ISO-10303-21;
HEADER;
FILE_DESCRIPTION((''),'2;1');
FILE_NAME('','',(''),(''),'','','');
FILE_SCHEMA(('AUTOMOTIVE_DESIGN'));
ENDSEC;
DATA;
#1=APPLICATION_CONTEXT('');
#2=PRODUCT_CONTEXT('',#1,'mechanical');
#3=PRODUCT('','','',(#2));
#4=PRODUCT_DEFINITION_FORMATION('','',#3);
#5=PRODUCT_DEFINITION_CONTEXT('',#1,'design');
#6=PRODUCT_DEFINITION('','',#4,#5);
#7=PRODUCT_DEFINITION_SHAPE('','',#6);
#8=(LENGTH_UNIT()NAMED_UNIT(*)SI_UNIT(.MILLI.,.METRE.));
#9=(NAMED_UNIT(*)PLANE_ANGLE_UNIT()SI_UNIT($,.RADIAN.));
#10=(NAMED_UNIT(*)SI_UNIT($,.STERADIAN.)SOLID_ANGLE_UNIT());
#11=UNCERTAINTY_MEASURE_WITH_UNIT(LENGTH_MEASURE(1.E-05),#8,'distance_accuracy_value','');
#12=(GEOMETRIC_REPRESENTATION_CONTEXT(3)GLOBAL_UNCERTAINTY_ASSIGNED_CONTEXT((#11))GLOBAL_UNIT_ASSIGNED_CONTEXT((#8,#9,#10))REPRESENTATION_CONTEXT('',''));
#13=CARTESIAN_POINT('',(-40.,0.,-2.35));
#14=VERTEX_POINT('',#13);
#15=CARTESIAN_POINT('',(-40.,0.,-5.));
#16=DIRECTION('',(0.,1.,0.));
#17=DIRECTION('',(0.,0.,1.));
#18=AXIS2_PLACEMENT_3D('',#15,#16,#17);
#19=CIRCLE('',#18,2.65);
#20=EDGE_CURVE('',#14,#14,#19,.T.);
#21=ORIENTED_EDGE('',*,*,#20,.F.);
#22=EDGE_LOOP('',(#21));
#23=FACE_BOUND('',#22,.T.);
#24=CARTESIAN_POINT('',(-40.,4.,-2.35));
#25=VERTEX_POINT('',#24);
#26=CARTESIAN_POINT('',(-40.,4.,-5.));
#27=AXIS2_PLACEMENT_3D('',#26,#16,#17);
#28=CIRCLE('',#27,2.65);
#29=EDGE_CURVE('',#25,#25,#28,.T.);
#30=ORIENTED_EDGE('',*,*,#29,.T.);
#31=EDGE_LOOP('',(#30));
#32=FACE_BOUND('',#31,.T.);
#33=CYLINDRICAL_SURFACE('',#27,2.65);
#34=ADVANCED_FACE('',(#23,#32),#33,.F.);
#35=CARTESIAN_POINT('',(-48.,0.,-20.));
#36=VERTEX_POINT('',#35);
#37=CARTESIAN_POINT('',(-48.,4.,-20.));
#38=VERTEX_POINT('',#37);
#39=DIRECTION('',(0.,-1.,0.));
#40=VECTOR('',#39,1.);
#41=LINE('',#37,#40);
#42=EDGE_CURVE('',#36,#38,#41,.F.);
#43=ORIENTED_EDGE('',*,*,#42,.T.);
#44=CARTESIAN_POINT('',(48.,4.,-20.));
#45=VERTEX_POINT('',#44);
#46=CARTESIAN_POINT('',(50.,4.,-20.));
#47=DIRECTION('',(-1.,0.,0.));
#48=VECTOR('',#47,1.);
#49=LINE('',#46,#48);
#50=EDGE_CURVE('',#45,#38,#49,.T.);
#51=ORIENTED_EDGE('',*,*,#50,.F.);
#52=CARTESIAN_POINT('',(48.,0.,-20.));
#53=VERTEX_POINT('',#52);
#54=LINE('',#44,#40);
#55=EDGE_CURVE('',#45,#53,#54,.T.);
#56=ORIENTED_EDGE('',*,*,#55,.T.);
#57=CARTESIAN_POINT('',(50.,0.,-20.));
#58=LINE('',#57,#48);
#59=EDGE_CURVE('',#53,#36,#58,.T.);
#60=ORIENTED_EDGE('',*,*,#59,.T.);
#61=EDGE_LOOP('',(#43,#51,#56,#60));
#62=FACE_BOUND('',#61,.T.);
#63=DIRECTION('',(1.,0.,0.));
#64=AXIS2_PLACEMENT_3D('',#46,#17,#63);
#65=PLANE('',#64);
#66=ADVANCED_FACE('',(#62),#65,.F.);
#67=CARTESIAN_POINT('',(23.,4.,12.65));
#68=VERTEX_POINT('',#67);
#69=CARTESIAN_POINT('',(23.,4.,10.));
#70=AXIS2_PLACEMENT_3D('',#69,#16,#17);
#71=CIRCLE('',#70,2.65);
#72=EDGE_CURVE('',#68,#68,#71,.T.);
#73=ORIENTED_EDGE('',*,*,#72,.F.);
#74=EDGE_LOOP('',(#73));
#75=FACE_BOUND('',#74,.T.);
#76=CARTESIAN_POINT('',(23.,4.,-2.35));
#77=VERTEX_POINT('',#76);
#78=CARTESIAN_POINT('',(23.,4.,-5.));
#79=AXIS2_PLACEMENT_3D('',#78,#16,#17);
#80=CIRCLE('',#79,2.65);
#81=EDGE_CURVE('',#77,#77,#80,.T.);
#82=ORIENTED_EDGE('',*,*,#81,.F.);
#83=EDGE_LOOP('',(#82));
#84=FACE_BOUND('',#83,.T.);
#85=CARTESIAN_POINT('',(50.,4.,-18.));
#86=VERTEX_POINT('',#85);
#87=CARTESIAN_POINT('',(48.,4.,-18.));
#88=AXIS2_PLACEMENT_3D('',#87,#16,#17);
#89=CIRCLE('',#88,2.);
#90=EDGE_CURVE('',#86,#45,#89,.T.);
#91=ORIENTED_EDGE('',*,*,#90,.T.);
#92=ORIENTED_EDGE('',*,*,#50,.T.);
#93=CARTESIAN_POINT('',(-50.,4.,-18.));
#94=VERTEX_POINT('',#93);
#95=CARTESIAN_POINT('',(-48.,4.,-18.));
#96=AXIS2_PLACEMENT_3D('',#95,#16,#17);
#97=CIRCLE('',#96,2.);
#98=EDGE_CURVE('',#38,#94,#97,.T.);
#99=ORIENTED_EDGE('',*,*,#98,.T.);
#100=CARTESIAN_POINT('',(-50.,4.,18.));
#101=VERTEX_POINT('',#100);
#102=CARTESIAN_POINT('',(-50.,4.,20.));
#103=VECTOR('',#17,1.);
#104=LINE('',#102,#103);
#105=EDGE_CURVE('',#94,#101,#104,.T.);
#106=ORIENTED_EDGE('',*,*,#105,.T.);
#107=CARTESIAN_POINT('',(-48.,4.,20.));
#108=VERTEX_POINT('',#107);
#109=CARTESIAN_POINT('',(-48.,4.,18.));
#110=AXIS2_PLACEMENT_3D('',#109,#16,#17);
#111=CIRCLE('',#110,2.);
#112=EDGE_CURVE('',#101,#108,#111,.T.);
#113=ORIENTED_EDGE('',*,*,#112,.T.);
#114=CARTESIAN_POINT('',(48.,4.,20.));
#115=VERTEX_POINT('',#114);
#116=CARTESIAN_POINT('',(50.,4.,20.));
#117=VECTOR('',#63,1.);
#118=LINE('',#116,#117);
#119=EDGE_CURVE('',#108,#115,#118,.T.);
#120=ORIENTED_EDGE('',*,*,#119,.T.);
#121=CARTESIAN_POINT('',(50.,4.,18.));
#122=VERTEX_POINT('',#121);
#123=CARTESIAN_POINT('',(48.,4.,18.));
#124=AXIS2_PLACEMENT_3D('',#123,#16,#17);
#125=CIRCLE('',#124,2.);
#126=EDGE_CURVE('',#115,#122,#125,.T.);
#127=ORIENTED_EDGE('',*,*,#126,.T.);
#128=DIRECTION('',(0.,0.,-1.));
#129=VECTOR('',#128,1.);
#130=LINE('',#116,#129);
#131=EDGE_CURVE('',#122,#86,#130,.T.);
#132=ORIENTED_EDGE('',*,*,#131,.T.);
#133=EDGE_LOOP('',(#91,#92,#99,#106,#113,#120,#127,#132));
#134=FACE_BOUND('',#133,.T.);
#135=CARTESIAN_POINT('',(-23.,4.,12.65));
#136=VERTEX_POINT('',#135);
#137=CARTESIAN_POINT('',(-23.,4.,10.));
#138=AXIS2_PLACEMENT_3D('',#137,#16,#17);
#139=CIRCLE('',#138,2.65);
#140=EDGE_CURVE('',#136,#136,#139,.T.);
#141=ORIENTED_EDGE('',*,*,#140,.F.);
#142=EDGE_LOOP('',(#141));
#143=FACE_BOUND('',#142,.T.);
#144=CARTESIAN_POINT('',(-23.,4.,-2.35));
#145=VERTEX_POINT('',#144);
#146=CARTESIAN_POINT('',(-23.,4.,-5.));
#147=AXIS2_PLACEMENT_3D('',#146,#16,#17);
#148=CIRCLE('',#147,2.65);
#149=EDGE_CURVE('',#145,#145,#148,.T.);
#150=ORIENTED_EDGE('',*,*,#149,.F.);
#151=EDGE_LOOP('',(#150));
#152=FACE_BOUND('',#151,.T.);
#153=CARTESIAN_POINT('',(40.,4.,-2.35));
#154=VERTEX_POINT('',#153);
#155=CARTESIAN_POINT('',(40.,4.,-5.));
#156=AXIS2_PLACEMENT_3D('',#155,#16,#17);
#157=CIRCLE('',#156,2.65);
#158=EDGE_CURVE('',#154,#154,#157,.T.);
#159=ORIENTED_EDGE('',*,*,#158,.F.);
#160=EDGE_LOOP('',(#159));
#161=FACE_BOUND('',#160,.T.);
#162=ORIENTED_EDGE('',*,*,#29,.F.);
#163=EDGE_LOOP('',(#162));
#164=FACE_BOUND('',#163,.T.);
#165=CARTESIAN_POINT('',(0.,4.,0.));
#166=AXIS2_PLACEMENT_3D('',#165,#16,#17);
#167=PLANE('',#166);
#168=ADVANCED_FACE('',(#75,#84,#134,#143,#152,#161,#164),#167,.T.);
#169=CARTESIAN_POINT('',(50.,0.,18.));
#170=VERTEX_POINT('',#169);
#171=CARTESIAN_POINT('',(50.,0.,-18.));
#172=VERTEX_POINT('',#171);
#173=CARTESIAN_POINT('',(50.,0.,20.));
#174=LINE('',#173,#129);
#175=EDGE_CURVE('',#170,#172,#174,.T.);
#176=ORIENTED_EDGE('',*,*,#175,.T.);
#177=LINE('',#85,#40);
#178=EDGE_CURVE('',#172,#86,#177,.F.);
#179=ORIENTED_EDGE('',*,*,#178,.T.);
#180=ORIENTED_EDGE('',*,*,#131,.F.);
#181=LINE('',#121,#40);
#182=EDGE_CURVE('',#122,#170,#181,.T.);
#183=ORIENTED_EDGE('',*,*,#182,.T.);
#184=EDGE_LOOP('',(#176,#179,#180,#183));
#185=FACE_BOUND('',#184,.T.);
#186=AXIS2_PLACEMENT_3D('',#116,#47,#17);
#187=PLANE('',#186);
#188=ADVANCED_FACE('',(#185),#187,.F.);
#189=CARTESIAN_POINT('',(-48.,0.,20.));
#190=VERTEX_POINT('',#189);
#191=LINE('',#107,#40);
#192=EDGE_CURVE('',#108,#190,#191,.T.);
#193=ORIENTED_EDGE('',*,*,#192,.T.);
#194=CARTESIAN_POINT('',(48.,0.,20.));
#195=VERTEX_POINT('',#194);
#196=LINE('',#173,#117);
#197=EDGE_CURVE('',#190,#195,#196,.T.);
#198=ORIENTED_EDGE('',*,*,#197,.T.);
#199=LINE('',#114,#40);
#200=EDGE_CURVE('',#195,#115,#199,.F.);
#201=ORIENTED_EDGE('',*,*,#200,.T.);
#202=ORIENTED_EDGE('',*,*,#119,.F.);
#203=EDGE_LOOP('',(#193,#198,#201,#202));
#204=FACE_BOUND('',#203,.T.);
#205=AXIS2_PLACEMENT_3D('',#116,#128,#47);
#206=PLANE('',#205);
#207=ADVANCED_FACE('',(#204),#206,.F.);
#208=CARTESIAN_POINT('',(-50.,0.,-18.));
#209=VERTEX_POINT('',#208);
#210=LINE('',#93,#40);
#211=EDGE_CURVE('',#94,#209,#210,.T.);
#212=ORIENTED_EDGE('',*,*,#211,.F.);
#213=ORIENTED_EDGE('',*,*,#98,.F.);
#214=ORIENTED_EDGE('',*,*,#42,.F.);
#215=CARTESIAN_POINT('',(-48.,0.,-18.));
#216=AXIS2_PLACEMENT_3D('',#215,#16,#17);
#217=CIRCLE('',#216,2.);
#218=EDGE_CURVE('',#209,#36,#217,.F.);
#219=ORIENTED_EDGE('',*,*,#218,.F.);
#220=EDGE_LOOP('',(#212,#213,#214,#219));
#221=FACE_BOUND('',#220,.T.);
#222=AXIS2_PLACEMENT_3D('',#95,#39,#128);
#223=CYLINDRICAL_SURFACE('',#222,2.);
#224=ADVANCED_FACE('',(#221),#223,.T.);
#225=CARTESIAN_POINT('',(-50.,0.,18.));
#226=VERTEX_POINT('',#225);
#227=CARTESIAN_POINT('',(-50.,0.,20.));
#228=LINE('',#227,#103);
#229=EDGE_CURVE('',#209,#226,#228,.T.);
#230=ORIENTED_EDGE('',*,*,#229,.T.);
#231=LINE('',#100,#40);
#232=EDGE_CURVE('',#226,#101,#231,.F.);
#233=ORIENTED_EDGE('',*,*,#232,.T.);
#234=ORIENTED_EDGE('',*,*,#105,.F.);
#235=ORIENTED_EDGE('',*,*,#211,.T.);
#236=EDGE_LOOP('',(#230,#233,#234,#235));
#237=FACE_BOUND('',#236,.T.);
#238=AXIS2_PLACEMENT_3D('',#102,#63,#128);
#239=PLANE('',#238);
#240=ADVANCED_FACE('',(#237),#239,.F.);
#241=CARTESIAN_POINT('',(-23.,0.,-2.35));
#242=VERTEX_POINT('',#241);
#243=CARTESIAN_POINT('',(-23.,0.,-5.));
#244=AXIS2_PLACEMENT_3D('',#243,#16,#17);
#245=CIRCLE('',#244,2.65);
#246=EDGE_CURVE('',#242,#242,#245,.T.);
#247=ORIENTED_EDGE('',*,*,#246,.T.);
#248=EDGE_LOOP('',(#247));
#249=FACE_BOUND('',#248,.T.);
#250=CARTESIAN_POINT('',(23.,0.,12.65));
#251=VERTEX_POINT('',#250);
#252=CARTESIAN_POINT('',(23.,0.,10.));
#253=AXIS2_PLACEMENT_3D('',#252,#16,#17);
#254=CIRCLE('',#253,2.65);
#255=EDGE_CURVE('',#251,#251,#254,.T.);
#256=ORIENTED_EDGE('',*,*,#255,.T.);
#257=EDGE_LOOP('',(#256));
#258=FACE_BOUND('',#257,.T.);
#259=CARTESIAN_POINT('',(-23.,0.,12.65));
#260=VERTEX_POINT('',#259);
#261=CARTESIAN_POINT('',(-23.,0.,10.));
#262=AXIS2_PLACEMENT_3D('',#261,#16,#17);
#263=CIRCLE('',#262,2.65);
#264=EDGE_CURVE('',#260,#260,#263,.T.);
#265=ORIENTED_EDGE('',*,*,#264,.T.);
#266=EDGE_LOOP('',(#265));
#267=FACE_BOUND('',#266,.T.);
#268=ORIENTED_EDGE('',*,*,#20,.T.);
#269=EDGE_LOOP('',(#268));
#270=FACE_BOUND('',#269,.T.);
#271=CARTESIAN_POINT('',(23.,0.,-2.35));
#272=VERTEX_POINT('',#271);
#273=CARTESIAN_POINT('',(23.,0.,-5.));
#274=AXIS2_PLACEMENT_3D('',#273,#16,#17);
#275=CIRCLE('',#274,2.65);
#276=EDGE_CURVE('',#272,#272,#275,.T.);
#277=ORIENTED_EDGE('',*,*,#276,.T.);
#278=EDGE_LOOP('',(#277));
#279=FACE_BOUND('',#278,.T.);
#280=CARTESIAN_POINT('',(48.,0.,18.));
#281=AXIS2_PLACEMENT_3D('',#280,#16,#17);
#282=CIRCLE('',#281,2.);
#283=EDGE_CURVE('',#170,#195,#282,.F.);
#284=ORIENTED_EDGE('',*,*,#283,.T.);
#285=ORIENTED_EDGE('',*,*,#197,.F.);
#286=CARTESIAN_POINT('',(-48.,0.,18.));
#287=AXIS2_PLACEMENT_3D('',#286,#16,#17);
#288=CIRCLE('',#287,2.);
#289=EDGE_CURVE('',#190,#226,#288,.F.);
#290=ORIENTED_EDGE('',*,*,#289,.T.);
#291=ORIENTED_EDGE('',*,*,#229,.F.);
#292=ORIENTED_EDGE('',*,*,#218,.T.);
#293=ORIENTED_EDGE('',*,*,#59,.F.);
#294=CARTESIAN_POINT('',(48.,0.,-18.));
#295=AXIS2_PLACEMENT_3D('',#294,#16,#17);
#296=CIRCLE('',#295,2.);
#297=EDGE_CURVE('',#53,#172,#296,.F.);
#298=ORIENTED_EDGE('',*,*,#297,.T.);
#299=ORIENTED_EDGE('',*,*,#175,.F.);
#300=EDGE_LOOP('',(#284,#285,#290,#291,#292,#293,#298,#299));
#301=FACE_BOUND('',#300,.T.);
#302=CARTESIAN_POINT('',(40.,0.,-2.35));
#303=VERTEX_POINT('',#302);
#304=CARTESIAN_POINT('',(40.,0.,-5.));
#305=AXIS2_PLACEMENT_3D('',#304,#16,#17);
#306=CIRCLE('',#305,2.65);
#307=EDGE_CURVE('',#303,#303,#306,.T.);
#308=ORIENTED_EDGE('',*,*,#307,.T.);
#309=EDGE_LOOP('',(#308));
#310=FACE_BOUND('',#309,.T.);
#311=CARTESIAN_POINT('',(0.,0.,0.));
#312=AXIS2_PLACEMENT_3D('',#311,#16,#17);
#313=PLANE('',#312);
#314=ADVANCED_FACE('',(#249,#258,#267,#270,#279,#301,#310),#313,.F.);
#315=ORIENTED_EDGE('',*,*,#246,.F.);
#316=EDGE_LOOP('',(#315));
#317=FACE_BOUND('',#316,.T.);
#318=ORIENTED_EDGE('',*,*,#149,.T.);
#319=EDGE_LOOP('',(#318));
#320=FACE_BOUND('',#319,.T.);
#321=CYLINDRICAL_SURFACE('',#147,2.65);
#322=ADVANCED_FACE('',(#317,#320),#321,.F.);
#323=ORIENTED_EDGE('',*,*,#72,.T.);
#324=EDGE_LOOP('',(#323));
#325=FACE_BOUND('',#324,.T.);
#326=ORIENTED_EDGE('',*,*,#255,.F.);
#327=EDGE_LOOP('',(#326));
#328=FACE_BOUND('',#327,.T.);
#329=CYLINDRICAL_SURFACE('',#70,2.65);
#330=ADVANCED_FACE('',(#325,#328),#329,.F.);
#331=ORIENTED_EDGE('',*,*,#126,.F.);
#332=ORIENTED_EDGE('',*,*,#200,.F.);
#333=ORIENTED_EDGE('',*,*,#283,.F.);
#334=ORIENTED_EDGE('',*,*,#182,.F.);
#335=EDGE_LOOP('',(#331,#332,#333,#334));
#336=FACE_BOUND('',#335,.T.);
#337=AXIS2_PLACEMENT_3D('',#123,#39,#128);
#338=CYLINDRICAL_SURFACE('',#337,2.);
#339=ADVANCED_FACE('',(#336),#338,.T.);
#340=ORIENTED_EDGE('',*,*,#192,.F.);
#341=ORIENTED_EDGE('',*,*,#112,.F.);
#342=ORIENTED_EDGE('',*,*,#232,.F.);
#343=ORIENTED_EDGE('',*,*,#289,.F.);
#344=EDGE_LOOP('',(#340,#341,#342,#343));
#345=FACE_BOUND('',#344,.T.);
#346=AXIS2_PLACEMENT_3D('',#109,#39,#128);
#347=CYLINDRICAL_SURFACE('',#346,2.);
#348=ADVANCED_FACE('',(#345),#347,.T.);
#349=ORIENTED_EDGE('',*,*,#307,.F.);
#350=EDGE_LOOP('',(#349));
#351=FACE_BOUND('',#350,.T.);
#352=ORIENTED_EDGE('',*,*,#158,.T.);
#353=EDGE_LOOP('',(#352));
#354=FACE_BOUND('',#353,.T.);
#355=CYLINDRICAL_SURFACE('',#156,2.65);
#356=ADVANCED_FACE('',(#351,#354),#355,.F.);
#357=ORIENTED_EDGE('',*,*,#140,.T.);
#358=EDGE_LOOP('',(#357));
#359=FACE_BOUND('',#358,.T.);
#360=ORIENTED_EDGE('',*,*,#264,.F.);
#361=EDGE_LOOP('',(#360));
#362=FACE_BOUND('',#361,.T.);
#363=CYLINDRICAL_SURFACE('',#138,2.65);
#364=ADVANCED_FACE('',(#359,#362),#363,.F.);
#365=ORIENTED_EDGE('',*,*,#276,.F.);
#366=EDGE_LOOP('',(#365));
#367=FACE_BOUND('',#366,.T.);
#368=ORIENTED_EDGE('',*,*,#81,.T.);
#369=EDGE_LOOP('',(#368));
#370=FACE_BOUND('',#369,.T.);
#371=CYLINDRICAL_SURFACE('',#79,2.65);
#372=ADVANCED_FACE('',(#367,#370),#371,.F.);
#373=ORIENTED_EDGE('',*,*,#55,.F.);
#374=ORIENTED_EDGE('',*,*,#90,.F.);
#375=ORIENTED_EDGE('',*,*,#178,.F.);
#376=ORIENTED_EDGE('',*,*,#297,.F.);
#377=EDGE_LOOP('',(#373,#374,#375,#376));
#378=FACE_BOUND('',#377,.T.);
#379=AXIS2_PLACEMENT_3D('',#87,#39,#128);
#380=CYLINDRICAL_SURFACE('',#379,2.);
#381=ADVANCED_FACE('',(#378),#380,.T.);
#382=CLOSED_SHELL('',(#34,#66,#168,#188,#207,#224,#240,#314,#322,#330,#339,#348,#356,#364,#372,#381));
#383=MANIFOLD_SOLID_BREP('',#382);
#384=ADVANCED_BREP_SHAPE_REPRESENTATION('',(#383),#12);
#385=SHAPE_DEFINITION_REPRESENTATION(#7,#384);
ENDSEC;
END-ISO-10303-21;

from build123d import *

# Parameters (mm, degrees)
SKETCH1_W                = 100
SKETCH1_H                = 40
BOSS_EXTRUDE1_DEPTH      = 4
FILLET1_R                = 2
M5_CLEARANCE_HOLE1_D     = 5.3
M5_CLEARANCE_HOLE1_DEPTH = 8
M5_CLEARANCE_HOLE1_TIP   = 1.59228064


with BuildPart() as part:
    # Sketch1 → Boss-Extrude1 (new body)
    with BuildSketch(Plane(origin=(0, 0, 0), x_dir=(1, 0, 0), z_dir=(0, 1, 0))):
        Rectangle(SKETCH1_W, SKETCH1_H)
    extrude(amount=BOSS_EXTRUDE1_DEPTH)

    # Fillet1
    fillet1_edges = [part.edges().sort_by_distance(p)[0] for p in [
        (-50, 2, -20),
        (50, 2, -20),
        (50, 2, 20),
        (-50, 2, 20),
    ]]
    fillet(fillet1_edges, radius=FILLET1_R)

    # M5 Clearance Hole1
    with Locations(Plane(origin=(0, 4, 0), x_dir=(1, 0, 0), z_dir=(0, 1, 0))):
        with Locations((-40, 5), (-23, 5), (-23, -10), (23, -10), (23, 5), (40, 5)):
            Hole(M5_CLEARANCE_HOLE1_D / 2, depth=M5_CLEARANCE_HOLE1_DEPTH)
            with Locations((0, 0, -(M5_CLEARANCE_HOLE1_DEPTH + M5_CLEARANCE_HOLE1_TIP / 2))):  # 118° drill point
                Cone(0, M5_CLEARANCE_HOLE1_D / 2, M5_CLEARANCE_HOLE1_TIP, mode=Mode.SUBTRACT)


solid = part.part
